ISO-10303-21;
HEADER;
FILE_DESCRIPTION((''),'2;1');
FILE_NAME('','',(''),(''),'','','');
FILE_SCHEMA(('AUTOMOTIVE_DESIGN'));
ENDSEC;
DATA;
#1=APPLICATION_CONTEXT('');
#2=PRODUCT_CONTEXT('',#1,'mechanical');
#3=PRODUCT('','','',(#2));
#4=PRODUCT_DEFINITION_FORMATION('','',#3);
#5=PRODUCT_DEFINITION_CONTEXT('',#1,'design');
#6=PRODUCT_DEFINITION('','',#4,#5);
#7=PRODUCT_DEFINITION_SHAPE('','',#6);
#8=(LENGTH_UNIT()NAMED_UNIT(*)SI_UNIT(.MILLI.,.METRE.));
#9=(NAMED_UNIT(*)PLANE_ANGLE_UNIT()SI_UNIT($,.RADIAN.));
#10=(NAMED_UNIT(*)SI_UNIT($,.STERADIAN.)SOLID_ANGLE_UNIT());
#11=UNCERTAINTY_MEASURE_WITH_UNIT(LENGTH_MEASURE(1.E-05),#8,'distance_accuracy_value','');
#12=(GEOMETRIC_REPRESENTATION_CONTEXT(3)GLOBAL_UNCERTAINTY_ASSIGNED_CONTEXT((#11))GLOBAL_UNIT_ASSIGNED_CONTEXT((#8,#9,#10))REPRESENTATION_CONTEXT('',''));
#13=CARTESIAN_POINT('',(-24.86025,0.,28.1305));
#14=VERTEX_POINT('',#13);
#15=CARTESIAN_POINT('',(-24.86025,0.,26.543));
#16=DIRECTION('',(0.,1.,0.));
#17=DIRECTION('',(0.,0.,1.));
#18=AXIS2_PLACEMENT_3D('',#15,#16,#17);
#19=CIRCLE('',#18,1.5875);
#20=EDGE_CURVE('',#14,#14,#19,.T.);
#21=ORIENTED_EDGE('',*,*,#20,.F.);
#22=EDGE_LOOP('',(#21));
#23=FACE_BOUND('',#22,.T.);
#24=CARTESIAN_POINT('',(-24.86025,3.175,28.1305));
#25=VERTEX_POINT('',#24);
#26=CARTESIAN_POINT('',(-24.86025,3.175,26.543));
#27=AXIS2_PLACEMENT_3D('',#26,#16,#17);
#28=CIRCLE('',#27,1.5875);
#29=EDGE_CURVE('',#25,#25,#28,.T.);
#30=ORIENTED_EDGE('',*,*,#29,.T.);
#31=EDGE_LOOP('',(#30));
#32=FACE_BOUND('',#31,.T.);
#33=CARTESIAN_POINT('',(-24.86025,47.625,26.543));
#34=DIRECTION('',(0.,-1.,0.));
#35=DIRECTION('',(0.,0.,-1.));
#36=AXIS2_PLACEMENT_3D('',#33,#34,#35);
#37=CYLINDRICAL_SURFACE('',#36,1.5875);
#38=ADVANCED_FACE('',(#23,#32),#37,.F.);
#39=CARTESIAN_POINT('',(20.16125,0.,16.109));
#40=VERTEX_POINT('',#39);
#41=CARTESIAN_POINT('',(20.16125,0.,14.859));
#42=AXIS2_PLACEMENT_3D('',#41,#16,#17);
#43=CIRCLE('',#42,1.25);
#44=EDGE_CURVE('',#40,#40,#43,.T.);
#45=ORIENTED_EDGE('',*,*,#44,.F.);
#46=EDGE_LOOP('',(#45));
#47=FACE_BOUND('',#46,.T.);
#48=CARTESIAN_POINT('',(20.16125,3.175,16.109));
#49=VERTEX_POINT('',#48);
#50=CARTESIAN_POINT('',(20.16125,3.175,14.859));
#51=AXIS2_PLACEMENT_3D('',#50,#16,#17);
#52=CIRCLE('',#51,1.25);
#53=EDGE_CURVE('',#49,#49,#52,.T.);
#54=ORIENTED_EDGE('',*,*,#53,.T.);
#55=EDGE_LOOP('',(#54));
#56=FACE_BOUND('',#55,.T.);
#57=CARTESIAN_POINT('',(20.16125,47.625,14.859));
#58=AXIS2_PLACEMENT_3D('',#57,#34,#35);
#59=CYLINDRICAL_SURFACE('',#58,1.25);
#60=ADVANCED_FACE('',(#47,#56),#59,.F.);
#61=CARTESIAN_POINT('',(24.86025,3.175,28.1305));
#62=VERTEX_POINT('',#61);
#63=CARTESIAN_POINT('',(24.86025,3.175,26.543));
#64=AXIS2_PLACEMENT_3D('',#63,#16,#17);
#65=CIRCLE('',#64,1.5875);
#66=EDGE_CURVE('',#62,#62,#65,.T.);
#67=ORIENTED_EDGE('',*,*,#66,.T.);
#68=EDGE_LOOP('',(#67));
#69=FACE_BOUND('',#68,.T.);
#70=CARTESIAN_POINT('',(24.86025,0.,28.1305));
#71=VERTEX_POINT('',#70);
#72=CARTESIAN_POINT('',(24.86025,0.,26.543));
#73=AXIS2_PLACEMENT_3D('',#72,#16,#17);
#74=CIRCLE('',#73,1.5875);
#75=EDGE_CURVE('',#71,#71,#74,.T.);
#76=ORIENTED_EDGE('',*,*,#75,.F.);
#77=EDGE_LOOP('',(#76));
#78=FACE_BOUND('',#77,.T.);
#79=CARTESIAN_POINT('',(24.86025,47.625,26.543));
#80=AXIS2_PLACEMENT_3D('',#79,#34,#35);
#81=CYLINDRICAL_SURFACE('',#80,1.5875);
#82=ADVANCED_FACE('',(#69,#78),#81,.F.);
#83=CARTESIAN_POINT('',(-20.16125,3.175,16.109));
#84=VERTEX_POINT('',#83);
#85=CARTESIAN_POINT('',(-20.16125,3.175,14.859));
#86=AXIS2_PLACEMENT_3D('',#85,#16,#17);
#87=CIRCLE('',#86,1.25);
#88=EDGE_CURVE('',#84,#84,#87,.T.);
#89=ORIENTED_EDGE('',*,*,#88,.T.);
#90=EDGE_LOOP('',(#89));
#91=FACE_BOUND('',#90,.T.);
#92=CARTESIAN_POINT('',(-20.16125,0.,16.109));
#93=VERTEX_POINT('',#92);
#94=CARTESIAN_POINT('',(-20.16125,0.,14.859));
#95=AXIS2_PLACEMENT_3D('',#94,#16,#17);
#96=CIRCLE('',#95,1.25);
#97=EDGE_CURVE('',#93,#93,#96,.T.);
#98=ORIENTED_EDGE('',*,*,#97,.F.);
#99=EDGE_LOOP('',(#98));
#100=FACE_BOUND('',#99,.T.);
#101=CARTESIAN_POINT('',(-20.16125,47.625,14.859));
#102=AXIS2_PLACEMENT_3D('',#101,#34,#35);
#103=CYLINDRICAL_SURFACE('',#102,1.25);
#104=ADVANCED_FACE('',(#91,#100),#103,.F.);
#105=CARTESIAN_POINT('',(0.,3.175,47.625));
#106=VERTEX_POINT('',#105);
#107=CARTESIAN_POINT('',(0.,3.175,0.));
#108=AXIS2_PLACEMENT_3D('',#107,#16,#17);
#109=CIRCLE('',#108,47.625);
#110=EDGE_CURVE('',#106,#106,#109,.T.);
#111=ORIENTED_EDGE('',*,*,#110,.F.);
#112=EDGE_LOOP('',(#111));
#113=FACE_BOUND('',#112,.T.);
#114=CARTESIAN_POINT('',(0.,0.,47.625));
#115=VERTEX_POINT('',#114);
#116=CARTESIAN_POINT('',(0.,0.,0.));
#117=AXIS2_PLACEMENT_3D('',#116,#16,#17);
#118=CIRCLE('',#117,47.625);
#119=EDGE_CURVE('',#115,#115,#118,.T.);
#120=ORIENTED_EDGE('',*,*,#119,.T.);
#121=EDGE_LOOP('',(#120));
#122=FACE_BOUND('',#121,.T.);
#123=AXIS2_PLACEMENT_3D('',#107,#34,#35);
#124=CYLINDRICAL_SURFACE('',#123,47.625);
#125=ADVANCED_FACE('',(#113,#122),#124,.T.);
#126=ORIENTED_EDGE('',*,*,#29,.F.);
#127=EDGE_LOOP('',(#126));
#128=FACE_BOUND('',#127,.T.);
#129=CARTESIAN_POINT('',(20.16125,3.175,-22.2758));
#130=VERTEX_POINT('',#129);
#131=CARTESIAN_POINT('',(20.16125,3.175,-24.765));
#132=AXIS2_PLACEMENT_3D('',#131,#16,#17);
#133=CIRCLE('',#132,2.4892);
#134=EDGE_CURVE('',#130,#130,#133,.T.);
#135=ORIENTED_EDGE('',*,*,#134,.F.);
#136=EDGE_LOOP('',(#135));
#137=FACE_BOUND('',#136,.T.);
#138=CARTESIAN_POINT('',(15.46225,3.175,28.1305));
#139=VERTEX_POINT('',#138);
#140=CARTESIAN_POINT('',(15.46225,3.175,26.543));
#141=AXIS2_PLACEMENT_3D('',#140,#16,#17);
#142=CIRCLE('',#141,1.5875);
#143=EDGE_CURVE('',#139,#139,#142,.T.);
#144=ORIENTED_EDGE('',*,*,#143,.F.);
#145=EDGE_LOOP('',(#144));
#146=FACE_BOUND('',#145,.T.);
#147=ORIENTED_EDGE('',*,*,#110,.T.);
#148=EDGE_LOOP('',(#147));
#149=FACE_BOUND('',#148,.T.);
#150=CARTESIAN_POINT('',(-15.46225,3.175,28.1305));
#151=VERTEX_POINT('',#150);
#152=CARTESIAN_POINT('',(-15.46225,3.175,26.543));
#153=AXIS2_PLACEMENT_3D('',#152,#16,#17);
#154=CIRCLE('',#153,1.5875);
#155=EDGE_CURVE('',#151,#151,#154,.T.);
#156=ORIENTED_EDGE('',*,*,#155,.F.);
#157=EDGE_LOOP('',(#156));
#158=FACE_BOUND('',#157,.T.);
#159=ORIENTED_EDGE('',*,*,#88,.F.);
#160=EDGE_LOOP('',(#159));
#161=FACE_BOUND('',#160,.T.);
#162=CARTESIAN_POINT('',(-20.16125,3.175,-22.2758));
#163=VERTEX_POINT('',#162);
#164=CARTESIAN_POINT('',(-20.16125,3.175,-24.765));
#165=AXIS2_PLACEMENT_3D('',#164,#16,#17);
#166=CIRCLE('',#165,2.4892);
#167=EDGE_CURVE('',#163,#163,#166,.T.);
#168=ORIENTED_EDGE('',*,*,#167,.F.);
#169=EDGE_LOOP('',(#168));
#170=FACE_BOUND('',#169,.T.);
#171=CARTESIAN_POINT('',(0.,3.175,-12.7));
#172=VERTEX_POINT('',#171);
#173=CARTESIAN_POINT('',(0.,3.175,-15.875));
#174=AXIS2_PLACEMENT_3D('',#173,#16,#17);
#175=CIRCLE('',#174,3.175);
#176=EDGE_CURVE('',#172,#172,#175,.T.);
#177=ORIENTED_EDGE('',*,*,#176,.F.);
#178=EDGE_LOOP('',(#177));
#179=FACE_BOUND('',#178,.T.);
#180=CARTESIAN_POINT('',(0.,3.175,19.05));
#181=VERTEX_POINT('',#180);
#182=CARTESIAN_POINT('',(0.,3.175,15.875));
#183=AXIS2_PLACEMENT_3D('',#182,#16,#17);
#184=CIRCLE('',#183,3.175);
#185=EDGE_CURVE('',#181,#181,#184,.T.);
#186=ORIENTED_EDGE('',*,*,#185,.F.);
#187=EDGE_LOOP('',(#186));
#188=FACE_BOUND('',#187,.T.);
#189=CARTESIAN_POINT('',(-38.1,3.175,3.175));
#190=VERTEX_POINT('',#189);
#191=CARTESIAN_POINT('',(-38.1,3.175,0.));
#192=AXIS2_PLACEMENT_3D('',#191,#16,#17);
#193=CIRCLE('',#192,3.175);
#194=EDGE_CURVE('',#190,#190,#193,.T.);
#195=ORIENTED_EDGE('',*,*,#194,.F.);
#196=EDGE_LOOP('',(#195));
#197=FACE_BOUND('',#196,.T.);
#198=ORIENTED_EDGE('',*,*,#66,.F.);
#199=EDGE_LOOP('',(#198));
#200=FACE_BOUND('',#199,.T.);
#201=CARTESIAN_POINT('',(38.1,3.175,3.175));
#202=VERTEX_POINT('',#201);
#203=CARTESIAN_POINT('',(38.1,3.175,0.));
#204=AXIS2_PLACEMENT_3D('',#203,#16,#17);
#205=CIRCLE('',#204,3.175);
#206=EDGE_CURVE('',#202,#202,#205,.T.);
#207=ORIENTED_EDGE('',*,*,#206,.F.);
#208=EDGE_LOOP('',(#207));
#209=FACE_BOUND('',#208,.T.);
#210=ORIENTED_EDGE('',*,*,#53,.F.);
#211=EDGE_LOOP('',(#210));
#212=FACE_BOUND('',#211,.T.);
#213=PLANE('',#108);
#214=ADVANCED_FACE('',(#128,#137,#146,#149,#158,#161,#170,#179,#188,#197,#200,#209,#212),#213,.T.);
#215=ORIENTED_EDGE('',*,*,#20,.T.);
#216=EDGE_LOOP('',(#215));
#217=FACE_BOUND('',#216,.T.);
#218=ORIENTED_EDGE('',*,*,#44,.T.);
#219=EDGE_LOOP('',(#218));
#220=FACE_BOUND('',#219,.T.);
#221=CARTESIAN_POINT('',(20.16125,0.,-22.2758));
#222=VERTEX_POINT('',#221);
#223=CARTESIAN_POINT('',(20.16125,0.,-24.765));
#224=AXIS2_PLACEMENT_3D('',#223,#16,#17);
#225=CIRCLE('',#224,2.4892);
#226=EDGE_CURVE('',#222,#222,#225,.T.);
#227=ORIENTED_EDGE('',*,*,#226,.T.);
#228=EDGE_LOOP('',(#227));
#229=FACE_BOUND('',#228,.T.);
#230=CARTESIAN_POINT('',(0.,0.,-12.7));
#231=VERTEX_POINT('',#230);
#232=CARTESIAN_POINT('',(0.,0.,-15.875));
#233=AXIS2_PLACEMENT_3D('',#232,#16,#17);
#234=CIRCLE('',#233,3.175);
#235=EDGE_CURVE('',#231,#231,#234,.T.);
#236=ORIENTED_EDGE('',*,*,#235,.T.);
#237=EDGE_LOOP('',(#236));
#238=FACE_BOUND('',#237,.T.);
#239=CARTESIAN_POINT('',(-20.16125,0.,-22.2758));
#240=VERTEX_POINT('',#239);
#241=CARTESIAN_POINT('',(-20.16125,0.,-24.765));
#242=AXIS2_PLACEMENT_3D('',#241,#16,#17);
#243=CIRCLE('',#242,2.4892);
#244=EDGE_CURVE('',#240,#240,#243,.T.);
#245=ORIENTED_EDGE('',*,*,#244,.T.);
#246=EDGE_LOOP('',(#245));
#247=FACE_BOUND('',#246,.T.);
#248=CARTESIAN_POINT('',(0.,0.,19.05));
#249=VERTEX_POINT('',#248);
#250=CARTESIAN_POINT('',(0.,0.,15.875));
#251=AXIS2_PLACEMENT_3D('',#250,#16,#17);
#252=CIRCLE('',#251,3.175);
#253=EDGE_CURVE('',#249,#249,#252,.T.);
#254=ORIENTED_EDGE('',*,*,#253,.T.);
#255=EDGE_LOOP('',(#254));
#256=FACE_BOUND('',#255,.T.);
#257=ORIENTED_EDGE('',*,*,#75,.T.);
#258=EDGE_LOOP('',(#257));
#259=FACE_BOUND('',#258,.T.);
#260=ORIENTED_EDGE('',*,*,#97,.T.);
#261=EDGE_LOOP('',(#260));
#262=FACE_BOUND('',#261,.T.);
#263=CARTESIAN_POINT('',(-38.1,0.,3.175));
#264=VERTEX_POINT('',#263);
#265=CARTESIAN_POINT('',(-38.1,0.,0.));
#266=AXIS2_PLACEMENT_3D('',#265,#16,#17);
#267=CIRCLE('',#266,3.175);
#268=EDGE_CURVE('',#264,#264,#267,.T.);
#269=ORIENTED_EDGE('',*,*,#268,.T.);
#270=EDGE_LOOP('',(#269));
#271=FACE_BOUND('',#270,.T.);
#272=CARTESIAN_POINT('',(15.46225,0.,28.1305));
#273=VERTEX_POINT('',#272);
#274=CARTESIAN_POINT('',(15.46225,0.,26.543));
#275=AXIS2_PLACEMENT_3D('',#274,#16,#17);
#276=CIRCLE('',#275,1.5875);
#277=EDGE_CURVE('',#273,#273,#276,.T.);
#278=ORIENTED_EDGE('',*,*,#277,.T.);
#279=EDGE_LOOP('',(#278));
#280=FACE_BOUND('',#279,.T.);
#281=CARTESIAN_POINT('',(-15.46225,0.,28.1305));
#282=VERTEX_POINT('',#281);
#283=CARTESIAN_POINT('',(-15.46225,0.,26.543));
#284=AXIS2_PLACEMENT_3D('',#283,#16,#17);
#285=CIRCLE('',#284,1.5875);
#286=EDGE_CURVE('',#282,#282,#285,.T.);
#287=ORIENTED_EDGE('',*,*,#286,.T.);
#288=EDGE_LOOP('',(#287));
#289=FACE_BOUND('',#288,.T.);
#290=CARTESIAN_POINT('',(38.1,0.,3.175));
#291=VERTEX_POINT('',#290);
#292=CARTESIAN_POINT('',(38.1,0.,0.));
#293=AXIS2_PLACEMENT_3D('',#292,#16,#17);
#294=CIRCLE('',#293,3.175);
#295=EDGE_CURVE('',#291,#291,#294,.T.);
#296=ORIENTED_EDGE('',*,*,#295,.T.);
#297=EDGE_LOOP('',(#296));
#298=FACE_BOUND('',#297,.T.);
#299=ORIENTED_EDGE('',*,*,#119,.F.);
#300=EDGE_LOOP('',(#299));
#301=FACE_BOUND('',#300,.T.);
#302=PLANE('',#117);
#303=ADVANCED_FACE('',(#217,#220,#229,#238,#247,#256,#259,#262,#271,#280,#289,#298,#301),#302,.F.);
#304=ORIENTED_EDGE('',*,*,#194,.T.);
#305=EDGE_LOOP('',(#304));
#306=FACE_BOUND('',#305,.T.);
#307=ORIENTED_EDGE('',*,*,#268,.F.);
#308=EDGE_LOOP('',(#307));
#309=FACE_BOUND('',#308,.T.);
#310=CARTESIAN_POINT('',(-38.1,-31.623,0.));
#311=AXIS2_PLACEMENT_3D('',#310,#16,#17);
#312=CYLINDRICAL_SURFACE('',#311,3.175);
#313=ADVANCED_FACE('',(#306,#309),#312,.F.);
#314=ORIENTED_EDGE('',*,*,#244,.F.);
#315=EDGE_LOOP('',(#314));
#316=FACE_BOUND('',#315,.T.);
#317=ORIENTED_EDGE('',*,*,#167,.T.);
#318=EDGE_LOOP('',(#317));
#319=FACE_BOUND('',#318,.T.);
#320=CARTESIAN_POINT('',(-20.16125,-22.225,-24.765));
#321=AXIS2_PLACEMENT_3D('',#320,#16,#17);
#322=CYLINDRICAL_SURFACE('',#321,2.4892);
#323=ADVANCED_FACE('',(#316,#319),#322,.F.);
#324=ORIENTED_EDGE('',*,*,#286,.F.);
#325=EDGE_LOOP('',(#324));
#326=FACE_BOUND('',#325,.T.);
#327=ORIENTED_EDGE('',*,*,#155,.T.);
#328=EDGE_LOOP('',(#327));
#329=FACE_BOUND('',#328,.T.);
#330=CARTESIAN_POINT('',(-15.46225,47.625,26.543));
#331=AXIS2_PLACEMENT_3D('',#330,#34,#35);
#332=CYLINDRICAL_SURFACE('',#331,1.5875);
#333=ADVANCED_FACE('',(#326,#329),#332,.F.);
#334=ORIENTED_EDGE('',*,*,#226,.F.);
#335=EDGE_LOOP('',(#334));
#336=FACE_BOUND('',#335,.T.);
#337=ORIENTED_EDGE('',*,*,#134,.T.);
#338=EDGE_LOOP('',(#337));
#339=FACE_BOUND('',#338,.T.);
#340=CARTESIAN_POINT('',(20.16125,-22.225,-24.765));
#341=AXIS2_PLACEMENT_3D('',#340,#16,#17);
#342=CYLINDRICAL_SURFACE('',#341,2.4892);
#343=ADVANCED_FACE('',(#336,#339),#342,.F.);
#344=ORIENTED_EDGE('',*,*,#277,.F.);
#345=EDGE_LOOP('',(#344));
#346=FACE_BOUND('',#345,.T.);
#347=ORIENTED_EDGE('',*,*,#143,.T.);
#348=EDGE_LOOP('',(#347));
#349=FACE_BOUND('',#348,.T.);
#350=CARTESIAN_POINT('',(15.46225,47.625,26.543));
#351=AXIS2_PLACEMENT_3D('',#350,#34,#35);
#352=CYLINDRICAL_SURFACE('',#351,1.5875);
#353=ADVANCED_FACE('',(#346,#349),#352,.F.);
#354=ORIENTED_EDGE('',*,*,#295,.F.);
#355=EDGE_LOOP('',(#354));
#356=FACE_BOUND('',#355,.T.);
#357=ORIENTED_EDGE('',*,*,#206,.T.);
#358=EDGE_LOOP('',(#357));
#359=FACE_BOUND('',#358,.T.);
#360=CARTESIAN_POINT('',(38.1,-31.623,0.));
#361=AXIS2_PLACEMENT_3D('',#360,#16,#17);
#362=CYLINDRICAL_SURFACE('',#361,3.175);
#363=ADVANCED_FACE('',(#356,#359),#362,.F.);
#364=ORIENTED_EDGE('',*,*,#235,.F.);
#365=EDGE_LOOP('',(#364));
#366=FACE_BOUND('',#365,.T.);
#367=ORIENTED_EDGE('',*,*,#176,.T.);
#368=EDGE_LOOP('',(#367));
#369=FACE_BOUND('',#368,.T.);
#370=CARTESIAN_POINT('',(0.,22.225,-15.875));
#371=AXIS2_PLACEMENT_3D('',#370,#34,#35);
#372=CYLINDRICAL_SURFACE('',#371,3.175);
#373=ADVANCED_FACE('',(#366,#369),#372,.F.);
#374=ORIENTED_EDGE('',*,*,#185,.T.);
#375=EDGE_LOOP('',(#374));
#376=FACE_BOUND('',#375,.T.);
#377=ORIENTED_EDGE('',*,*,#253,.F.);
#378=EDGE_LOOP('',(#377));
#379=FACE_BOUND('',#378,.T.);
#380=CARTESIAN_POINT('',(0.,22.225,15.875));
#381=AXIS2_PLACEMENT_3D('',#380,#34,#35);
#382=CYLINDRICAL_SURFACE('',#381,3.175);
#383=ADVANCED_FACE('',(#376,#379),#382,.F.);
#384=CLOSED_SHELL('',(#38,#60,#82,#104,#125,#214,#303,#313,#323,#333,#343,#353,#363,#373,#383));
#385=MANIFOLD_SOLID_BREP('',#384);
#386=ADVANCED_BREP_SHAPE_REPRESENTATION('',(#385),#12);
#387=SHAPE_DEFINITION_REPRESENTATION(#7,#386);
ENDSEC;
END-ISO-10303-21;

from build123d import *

# Parameters (mm, degrees)
SKETCH1_R           = 47.625
BOSS_EXTRUDE1_DEPTH = 3.175
SKETCH2_R           = 3.175
CUT_EXTRUDE1_DEPTH  = 263.398
SKETCH3_R           = 3.175
CUT_EXTRUDE2_DEPTH  = 25.4
SKETCH4_R           = 1.5875
SKETCH4_R_2         = 1.25
CUT_EXTRUDE3_DEPTH  = 50.8
CUT_EXTRUDE4_START  = -3.175
SKETCH5_R           = 1.984375
CUT_EXTRUDE4_DEPTH  = 50.8
SKETCH6_R           = 2.4892
CUT_EXTRUDE5_DEPTH  = 25.4


with BuildPart() as part:
    # Sketch1 → Boss-Extrude1 (new body)
    with BuildSketch(Plane(origin=(0, 0, 0), x_dir=(1, 0, 0), z_dir=(0, 1, 0))):
        with Locations(Location((0, 0, 0), (0, 0, 270))):
            Circle(SKETCH1_R)
    extrude(amount=BOSS_EXTRUDE1_DEPTH)

    # Sketch2 → Cut-Extrude1 (cut)
    with BuildSketch(Plane(origin=(-55.039702575, 231.775, -116.088398355), x_dir=(-1, 0, 0), z_dir=(0, 1, 0))):
        with Locations(Location((-93.139702575, 116.088398355, 0), (0, 0, 90))):
            Circle(SKETCH2_R)
        with Locations(Location((-16.939702575, 116.088398355, 0), (0, 0, 90))):
            Circle(SKETCH2_R)
    extrude(amount=-CUT_EXTRUDE1_DEPTH, mode=Mode.SUBTRACT)

    # Sketch3 → Cut-Extrude2 (cut)
    with BuildSketch(Plane(origin=(-28.264398128, -3.175, -82.371298873), x_dir=(1, 0, 0), z_dir=(0, -1, 0))):
        with Locations(Location((28.264398128, 98.246298873, 0), (0, 0, 90))):
            Circle(SKETCH3_R)
        with Locations(Location((28.264398128, 66.496298873, 0), (0, 0, 90))):
            Circle(SKETCH3_R)
    extrude(amount=-CUT_EXTRUDE2_DEPTH, mode=Mode.SUBTRACT)

    # Sketch4 → Cut-Extrude3 (cut)
    with BuildSketch(Plane(origin=(-28.264398128, -3.175, -82.371298873), x_dir=(-1, 0, 0), z_dir=(0, -1, 0))):
        with Locations(Location((-3.404148128, -108.914298873, 0), (0, 0, 270))):
            Circle(SKETCH4_R)
        with Locations(Location((-12.802148128, -108.914298873, 0), (0, 0, 270))):
            Circle(SKETCH4_R)
        with Locations(Location((-43.726648128, -108.914298873, 0), (0, 0, 270))):
            Circle(SKETCH4_R)
        with Locations(Location((-53.124648128, -108.914298873, 0), (0, 0, 270))):
            Circle(SKETCH4_R)
        with Locations(Location((-8.103148128, -97.230298873, 0), (0, 0, 270))):
            Circle(SKETCH4_R_2)
        with Locations(Location((-48.425648128, -97.230298873, 0), (0, 0, 270))):
            Circle(SKETCH4_R_2)
    extrude(amount=-CUT_EXTRUDE3_DEPTH, mode=Mode.SUBTRACT)

    # Sketch5 → Cut-Extrude4 (cut)
    with BuildSketch(Plane(origin=(-28.264398128, -3.175, -82.371298873), x_dir=(1, 0, 0), z_dir=(0, -1, 0)).offset(CUT_EXTRUDE4_START)):
        with Locations(Location((8.103148128, 57.606298873, 0), (0, 0, 90))):
            Circle(SKETCH5_R)
        with Locations(Location((48.425648128, 57.606298873, 0), (0, 0, 90))):
            Circle(SKETCH5_R)
    extrude(amount=-CUT_EXTRUDE4_DEPTH, mode=Mode.SUBTRACT)

    # Sketch6 → Cut-Extrude5 (cut)
    with BuildSketch(Plane(origin=(-28.264398128, 3.175, -82.371298873), x_dir=(1, 0, 0), z_dir=(0, 1, 0))):
        with Locations(Location((8.103148128, -57.606298873, 0), (0, 0, 270))):
            Circle(SKETCH6_R)
        with Locations(Location((48.425648128, -57.606298873, 0), (0, 0, 270))):
            Circle(SKETCH6_R)
    extrude(amount=-CUT_EXTRUDE5_DEPTH, mode=Mode.SUBTRACT)


solid = part.part
